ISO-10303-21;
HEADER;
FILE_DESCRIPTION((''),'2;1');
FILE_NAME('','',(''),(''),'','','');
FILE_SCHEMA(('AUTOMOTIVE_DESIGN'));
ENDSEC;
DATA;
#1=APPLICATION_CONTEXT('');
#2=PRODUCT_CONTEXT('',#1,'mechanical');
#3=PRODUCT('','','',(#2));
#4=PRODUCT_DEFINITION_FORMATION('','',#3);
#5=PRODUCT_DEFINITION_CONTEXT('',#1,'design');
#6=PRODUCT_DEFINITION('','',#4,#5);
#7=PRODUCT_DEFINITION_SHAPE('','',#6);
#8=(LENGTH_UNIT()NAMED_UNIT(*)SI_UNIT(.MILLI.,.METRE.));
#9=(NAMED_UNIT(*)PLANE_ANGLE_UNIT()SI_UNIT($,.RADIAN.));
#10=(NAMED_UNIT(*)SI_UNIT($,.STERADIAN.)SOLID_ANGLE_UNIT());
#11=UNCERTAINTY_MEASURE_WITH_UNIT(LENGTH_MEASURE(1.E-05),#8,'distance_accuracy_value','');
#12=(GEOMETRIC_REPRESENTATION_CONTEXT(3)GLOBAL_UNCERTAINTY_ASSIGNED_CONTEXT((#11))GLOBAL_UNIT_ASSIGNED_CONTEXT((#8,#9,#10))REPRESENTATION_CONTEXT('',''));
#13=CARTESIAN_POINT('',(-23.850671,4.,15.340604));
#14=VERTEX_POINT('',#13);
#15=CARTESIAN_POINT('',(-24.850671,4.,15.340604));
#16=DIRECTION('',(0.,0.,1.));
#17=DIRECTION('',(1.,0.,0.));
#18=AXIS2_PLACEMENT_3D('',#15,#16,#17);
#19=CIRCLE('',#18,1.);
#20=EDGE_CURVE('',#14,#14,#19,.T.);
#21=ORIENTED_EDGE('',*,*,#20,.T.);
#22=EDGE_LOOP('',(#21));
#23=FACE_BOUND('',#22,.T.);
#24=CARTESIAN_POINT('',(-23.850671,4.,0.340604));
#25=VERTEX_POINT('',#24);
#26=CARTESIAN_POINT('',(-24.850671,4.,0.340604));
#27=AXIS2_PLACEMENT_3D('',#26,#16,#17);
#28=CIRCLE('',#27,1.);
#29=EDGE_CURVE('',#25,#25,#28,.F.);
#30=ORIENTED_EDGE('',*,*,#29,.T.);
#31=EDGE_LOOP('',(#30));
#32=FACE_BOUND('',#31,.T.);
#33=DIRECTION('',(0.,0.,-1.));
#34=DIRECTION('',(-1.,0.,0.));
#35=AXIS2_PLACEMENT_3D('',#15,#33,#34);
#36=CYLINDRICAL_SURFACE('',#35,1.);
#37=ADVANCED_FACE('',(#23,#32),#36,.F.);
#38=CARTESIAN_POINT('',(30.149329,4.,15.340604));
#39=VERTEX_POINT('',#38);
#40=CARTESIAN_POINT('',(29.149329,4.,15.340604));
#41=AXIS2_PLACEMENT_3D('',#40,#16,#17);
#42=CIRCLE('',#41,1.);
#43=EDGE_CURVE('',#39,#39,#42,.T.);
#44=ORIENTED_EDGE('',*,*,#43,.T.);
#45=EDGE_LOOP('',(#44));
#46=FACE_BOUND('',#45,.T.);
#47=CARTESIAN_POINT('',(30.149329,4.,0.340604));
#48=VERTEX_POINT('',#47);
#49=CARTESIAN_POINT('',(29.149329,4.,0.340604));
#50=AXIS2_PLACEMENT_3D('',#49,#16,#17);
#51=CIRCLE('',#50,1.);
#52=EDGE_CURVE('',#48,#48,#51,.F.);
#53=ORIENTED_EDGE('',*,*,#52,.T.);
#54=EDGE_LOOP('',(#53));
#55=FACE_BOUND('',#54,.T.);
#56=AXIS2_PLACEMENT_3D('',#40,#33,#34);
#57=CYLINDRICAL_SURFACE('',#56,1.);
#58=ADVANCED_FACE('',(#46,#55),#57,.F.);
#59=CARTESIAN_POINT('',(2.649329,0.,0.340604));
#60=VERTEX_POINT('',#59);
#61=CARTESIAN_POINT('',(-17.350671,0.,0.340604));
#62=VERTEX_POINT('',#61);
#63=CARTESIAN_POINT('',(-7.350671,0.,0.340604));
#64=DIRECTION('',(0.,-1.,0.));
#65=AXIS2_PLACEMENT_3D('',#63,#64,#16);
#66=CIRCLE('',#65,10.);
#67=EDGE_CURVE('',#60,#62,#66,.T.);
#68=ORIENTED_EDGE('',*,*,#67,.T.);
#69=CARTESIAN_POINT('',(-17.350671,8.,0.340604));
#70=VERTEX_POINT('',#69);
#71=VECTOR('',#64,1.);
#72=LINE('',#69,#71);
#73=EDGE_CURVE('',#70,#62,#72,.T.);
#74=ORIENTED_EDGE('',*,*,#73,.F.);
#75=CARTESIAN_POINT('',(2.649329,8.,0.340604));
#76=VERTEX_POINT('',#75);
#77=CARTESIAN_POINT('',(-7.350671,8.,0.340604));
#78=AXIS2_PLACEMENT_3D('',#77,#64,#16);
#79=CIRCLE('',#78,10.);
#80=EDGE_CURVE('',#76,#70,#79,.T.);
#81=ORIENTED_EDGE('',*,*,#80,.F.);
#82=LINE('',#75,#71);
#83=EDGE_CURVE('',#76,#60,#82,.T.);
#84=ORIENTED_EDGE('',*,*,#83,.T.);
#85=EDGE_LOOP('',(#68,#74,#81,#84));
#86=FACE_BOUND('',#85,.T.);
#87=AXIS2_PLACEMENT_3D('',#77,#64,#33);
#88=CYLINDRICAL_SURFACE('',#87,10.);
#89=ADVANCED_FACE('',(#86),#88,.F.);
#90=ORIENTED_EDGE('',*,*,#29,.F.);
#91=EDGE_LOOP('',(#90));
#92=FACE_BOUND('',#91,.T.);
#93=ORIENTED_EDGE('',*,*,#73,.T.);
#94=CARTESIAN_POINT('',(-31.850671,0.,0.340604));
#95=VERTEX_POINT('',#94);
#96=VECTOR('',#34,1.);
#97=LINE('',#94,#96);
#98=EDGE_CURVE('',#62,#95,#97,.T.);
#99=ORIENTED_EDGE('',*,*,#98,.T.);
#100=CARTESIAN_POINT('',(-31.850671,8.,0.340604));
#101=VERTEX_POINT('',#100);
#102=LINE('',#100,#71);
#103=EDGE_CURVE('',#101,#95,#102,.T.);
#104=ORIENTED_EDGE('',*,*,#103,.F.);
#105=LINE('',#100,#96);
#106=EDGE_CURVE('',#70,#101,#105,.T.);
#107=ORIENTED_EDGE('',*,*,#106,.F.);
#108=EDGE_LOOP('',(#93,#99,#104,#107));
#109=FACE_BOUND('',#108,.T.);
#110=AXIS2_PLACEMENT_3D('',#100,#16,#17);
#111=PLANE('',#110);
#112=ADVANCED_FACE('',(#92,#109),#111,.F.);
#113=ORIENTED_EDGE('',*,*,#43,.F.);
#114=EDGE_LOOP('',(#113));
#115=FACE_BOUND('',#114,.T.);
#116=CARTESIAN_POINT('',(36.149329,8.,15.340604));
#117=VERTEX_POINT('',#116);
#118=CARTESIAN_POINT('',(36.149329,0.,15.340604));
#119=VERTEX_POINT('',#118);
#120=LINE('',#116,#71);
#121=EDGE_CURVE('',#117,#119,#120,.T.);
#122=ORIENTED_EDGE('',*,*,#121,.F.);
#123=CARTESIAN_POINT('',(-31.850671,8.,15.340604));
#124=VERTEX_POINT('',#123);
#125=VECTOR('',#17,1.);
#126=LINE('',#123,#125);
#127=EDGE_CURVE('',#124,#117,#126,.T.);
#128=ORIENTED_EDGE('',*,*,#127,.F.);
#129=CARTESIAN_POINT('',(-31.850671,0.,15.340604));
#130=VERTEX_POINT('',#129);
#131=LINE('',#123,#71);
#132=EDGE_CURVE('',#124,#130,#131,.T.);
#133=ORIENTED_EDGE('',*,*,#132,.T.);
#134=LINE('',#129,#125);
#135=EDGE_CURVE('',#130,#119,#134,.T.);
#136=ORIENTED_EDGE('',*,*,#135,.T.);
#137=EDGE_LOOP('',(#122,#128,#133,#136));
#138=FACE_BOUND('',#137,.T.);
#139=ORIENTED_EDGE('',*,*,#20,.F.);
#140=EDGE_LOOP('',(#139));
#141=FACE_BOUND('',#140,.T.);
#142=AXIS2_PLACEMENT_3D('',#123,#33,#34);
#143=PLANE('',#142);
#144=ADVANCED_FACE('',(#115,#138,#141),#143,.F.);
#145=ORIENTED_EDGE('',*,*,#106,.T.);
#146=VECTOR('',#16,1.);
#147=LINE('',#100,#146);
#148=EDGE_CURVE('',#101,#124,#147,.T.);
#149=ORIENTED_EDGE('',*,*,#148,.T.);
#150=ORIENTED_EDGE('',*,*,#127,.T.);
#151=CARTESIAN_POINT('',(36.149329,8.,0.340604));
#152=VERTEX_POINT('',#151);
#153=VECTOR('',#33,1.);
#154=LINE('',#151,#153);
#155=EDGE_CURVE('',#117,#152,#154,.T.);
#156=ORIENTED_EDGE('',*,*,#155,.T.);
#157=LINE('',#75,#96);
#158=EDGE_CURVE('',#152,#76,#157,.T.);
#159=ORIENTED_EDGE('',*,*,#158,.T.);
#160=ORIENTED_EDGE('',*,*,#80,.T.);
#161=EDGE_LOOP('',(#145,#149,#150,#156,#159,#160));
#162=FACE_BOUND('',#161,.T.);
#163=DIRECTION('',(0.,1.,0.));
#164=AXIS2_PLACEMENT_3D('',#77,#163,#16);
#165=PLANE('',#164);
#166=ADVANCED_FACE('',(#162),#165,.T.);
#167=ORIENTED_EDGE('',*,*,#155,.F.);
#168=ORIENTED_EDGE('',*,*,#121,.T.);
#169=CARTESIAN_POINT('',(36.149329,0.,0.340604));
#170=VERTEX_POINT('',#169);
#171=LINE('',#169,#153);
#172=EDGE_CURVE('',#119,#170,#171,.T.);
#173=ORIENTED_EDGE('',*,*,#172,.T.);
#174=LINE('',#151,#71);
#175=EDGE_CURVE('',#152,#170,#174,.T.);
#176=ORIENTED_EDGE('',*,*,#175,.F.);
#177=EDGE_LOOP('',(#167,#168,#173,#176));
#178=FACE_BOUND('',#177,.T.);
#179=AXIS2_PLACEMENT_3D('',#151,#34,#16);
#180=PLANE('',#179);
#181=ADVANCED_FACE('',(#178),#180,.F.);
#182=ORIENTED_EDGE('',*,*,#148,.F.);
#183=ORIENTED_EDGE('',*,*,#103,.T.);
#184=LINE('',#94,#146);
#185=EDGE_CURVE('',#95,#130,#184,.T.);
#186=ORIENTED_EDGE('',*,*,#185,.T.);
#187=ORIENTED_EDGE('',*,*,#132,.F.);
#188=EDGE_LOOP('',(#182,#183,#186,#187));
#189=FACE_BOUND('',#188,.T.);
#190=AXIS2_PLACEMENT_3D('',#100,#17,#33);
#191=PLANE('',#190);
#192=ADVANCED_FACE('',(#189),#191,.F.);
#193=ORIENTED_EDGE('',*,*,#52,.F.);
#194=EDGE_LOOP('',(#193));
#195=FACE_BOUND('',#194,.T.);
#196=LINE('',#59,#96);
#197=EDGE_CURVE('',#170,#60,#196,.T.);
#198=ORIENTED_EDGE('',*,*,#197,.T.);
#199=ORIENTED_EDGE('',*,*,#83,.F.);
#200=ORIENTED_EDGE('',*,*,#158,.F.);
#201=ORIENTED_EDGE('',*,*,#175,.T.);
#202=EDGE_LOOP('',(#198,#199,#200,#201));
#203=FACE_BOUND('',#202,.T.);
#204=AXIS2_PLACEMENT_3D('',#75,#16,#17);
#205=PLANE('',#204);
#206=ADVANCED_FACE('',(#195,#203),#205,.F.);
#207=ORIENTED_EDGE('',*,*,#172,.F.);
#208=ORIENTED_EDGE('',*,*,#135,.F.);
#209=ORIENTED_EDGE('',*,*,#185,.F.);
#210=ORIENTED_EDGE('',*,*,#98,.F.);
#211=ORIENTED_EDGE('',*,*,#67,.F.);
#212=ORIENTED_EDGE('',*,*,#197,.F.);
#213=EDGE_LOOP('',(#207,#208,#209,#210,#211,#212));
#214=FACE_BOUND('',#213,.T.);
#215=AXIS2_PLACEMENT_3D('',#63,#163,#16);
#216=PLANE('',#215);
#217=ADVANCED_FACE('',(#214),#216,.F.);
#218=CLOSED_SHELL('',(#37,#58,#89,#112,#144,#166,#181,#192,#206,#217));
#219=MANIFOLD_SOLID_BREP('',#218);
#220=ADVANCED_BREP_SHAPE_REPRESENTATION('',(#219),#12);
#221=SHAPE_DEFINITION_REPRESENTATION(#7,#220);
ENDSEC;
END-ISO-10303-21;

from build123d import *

# Parameters (mm, degrees)
BOSS_EXTRUDE1_DEPTH = 8
SKETCH2_R           = 1
CUT_EXTRUDE1_DEPTH  = 16.340604027


with BuildPart() as part:
    # Sketch1 → Boss-Extrude1 (new body)
    with BuildSketch(Plane(origin=(0, 0, 0), x_dir=(1, 0, 0), z_dir=(0, 1, 0))):
        with BuildLine():
            Line((2.649328859, -0.340604027), (36.149328859, -0.340604027))
            Line((36.149328859, -0.340604027), (36.149328859, -15.340604027))
            Line((36.149328859, -15.340604027), (-31.850671141, -15.340604027))
            Line((-31.850671141, -15.340604027), (-31.850671141, -0.340604027))
            Line((-31.850671141, -0.340604027), (-17.350671141, -0.340604027))
            ThreePointArc((-17.350671141, -0.340604027), (-7.350671141, -10.340604027), (2.649328859, -0.340604027))
        make_face()
    extrude(amount=BOSS_EXTRUDE1_DEPTH)

    # Sketch2 → Cut-Extrude1 (cut, through all)
    with BuildSketch(Plane.XY):
        with Locations((-24.850671141, 4)):
            Circle(SKETCH2_R)
        with Locations((29.149328859, 4)):
            Circle(SKETCH2_R)
    extrude(amount=CUT_EXTRUDE1_DEPTH, mode=Mode.SUBTRACT)


solid = part.part
